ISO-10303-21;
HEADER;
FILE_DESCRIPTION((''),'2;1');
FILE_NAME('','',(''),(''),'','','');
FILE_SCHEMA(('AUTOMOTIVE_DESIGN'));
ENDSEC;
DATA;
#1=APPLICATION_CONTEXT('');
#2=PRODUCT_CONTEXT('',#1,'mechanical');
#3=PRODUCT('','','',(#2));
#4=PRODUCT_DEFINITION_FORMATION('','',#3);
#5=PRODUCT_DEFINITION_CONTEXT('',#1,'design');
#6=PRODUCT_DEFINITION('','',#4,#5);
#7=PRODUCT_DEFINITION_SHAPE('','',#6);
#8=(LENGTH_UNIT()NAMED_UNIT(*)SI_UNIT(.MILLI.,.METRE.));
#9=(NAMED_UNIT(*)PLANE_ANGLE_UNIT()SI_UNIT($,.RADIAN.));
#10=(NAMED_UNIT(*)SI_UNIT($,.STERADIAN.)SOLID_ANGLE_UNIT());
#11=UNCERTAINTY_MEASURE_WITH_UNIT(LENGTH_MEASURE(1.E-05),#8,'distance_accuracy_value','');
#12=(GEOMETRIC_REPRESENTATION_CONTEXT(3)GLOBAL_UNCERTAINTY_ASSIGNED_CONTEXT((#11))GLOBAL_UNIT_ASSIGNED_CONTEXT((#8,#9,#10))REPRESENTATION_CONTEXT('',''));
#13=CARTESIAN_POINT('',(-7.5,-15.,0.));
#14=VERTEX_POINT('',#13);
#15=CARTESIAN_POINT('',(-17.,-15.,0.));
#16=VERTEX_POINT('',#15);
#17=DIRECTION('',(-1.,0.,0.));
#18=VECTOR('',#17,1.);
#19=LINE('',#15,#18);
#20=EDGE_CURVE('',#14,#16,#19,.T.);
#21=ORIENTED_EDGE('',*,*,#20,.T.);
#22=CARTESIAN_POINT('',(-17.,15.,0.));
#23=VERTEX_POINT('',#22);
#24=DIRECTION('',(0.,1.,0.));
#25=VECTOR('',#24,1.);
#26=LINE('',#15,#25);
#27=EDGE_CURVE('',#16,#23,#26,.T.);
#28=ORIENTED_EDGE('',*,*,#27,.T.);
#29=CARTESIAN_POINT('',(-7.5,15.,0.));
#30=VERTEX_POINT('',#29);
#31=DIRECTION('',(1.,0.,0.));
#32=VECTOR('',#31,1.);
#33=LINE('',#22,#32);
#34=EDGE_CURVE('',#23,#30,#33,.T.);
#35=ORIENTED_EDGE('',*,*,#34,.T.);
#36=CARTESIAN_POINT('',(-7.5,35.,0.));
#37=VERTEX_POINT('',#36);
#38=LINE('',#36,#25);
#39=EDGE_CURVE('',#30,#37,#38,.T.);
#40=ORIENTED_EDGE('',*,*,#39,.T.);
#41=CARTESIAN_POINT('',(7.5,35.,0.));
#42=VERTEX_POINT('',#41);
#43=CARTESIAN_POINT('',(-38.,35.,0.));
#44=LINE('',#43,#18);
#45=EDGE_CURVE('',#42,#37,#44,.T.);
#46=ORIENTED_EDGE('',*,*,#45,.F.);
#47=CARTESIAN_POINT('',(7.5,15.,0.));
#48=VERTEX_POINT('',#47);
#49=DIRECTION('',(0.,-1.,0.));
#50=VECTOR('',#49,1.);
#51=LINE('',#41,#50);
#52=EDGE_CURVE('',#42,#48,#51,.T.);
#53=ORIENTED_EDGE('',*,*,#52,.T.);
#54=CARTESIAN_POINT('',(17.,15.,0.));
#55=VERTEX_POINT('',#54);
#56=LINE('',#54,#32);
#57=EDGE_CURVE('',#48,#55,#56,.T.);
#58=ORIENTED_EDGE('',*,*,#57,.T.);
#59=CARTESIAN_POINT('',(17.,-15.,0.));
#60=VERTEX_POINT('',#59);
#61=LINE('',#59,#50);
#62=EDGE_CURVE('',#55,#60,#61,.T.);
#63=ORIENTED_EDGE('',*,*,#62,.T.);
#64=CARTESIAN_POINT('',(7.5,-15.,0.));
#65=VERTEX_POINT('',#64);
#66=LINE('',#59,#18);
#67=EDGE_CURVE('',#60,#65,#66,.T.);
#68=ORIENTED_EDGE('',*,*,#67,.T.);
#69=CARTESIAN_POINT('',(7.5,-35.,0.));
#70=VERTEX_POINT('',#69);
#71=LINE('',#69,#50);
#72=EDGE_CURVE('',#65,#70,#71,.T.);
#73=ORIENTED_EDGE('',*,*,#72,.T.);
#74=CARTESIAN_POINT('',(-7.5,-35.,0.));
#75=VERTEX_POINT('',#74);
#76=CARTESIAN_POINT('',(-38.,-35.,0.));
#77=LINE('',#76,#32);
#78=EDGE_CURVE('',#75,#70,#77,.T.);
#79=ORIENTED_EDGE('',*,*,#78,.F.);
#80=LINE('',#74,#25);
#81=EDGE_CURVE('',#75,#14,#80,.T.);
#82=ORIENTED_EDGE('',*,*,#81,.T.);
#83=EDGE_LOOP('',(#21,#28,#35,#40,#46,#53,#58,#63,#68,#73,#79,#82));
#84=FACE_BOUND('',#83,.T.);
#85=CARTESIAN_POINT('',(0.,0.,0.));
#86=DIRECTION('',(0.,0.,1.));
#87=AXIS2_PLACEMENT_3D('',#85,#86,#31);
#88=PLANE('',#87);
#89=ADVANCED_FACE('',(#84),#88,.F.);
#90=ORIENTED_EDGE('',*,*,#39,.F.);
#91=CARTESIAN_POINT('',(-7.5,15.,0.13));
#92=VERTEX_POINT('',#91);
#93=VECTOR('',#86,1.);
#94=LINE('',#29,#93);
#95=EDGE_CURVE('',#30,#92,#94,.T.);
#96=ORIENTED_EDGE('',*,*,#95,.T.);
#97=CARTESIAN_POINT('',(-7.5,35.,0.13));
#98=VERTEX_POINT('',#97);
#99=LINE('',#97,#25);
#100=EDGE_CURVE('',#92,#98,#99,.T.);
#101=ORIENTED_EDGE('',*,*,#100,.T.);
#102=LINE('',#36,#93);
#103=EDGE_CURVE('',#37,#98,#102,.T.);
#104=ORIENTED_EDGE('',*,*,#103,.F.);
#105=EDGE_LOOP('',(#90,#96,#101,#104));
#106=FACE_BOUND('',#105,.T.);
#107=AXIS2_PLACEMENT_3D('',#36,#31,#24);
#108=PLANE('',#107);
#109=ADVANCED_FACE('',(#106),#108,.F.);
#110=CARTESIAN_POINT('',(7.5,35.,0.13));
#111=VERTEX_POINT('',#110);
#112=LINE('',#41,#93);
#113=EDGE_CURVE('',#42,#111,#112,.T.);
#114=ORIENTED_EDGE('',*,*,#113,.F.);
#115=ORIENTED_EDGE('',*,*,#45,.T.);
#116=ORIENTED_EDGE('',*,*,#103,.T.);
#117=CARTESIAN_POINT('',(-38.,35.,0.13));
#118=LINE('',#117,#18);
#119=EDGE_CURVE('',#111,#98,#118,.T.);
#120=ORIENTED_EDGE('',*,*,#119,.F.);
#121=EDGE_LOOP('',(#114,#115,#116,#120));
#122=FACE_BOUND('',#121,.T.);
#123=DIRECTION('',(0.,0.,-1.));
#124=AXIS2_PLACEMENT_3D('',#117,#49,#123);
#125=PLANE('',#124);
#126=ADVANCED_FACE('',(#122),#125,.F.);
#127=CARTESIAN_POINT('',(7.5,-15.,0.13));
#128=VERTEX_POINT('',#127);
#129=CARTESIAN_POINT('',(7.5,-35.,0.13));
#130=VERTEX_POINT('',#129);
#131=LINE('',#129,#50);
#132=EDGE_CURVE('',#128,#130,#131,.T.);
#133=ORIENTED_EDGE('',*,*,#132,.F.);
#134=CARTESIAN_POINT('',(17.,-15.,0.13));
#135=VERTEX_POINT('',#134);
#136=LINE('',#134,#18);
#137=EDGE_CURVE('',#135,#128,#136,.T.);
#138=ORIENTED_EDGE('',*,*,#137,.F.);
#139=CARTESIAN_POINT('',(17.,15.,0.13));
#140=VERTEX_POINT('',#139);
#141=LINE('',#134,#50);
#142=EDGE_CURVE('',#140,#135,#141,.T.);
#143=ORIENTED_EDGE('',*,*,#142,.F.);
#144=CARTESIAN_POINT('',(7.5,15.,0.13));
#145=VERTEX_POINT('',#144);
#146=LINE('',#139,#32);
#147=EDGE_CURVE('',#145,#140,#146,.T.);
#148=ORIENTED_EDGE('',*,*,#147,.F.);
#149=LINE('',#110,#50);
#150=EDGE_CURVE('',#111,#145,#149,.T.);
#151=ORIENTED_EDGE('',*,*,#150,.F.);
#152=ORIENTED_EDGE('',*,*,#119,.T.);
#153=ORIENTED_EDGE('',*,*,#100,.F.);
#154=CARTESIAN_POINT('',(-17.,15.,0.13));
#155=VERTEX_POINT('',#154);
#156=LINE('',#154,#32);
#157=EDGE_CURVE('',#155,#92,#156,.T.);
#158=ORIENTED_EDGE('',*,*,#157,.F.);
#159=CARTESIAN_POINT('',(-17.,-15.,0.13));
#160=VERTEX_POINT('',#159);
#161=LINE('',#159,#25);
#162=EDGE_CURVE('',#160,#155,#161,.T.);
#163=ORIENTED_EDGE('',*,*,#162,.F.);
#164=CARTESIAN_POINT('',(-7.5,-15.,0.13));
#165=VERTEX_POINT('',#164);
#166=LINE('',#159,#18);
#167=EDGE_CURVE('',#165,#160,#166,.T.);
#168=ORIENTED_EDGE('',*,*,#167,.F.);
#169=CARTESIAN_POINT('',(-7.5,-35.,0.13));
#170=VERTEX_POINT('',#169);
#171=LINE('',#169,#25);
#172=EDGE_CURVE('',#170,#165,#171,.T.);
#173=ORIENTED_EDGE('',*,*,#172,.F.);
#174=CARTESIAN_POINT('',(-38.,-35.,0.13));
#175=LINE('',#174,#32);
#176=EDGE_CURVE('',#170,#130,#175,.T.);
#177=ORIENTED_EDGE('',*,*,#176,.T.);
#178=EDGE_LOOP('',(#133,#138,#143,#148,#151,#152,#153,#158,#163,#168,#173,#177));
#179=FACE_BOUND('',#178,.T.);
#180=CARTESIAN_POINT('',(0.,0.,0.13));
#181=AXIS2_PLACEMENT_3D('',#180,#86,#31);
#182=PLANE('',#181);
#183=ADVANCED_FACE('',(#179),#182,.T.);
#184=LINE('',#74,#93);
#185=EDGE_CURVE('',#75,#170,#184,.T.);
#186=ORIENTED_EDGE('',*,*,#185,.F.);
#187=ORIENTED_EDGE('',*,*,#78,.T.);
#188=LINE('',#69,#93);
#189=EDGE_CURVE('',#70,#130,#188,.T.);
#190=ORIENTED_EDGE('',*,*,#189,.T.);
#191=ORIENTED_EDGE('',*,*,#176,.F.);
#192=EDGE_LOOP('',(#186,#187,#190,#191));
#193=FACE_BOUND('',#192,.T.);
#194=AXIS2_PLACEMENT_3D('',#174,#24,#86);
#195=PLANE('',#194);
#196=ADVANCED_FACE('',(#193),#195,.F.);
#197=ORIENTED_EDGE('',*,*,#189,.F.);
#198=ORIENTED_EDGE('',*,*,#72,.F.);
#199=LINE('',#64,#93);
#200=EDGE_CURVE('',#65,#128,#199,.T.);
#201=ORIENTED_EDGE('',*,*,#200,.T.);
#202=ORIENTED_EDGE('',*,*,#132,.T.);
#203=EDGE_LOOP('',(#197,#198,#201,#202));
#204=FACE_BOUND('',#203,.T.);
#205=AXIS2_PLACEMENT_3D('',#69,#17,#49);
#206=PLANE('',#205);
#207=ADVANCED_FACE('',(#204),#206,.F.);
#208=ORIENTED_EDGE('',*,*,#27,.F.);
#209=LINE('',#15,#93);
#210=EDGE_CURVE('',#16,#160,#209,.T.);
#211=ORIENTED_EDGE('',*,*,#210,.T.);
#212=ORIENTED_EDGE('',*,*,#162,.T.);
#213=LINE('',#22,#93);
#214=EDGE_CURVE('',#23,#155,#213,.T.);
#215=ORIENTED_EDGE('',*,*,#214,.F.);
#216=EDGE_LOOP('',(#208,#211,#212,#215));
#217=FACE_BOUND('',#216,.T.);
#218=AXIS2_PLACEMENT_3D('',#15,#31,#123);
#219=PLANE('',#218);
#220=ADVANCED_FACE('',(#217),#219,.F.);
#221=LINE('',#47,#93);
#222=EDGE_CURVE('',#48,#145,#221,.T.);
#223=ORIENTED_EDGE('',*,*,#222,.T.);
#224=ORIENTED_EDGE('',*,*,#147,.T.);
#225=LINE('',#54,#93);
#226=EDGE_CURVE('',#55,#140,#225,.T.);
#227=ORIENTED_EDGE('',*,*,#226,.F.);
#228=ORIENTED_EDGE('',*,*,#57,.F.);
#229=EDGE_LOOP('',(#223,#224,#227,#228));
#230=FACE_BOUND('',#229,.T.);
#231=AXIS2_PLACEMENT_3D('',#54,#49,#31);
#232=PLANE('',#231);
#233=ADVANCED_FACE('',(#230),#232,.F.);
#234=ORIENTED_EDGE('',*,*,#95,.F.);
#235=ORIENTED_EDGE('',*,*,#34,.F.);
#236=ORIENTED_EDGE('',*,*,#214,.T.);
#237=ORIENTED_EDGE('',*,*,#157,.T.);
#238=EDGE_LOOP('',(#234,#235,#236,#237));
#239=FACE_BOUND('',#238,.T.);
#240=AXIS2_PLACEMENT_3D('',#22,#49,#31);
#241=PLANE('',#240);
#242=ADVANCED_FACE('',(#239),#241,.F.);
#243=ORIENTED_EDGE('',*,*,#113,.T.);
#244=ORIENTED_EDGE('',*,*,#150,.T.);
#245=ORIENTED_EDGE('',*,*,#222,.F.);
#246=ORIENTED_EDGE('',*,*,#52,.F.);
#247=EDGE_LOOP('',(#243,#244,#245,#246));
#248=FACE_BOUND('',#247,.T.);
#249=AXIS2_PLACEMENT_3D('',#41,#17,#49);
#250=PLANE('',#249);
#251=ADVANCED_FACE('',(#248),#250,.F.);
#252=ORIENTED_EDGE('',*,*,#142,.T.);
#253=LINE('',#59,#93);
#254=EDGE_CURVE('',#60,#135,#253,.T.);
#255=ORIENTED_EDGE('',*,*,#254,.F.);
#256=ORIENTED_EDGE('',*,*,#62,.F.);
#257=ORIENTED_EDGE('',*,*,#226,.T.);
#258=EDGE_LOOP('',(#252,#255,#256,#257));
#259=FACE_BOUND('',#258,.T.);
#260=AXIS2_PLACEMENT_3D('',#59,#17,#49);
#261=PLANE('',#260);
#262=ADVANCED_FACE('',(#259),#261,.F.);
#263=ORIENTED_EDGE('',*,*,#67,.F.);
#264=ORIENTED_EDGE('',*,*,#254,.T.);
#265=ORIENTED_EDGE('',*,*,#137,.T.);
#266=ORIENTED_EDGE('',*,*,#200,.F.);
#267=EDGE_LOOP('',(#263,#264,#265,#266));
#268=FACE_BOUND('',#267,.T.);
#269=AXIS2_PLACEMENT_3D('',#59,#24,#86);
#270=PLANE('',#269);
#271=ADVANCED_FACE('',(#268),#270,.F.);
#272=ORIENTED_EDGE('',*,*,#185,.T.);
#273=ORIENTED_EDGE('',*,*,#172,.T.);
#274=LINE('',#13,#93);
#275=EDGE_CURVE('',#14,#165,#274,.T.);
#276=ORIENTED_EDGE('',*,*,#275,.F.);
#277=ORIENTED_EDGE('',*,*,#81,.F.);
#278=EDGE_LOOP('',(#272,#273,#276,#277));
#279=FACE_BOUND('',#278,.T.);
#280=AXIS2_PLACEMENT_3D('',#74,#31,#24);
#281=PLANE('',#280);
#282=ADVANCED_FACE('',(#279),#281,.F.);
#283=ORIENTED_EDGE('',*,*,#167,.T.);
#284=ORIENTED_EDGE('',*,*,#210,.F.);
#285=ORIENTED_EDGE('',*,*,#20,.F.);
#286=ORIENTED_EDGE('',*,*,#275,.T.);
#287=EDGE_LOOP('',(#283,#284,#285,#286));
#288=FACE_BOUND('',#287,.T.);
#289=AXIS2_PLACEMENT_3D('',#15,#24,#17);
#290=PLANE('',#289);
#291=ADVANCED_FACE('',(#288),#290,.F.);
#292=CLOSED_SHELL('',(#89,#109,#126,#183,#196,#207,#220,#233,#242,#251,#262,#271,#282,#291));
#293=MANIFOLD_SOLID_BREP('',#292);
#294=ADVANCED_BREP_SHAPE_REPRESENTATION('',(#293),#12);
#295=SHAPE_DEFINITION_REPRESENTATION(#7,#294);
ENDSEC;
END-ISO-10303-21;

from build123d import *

# Parameters (mm, degrees)
SKETCH_1_W          = 76
SKETCH_1_H          = 70
EXTRUDE_1_DEPTH     = 0.13
CUT_EXTRUDE_1_DEPTH = 52.662528974


with BuildPart() as part:
    # 草圖1 → 填料-伸長1 (new body)
    with BuildSketch(Plane.XY):
        Rectangle(SKETCH_1_W, SKETCH_1_H)
    extrude(amount=EXTRUDE_1_DEPTH)

    # 草圖2 → 除料-伸長1 (cut, through all)
    with BuildSketch(Plane.XY.offset(0.13)):
        Polygon((-38, 35), (-7.5, 35), (-7.5, 15), (-17, 15), (-17, -15), (-7.5, -15), (-7.5, -35), (-38, -35), align=None)
        Polygon((17, 15), (7.5, 15), (7.5, 35), (38, 35), (38, -35), (7.5, -35), (7.5, -15), (17, -15), align=None)
    extrude(amount=-CUT_EXTRUDE_1_DEPTH, mode=Mode.SUBTRACT)


solid = part.part
